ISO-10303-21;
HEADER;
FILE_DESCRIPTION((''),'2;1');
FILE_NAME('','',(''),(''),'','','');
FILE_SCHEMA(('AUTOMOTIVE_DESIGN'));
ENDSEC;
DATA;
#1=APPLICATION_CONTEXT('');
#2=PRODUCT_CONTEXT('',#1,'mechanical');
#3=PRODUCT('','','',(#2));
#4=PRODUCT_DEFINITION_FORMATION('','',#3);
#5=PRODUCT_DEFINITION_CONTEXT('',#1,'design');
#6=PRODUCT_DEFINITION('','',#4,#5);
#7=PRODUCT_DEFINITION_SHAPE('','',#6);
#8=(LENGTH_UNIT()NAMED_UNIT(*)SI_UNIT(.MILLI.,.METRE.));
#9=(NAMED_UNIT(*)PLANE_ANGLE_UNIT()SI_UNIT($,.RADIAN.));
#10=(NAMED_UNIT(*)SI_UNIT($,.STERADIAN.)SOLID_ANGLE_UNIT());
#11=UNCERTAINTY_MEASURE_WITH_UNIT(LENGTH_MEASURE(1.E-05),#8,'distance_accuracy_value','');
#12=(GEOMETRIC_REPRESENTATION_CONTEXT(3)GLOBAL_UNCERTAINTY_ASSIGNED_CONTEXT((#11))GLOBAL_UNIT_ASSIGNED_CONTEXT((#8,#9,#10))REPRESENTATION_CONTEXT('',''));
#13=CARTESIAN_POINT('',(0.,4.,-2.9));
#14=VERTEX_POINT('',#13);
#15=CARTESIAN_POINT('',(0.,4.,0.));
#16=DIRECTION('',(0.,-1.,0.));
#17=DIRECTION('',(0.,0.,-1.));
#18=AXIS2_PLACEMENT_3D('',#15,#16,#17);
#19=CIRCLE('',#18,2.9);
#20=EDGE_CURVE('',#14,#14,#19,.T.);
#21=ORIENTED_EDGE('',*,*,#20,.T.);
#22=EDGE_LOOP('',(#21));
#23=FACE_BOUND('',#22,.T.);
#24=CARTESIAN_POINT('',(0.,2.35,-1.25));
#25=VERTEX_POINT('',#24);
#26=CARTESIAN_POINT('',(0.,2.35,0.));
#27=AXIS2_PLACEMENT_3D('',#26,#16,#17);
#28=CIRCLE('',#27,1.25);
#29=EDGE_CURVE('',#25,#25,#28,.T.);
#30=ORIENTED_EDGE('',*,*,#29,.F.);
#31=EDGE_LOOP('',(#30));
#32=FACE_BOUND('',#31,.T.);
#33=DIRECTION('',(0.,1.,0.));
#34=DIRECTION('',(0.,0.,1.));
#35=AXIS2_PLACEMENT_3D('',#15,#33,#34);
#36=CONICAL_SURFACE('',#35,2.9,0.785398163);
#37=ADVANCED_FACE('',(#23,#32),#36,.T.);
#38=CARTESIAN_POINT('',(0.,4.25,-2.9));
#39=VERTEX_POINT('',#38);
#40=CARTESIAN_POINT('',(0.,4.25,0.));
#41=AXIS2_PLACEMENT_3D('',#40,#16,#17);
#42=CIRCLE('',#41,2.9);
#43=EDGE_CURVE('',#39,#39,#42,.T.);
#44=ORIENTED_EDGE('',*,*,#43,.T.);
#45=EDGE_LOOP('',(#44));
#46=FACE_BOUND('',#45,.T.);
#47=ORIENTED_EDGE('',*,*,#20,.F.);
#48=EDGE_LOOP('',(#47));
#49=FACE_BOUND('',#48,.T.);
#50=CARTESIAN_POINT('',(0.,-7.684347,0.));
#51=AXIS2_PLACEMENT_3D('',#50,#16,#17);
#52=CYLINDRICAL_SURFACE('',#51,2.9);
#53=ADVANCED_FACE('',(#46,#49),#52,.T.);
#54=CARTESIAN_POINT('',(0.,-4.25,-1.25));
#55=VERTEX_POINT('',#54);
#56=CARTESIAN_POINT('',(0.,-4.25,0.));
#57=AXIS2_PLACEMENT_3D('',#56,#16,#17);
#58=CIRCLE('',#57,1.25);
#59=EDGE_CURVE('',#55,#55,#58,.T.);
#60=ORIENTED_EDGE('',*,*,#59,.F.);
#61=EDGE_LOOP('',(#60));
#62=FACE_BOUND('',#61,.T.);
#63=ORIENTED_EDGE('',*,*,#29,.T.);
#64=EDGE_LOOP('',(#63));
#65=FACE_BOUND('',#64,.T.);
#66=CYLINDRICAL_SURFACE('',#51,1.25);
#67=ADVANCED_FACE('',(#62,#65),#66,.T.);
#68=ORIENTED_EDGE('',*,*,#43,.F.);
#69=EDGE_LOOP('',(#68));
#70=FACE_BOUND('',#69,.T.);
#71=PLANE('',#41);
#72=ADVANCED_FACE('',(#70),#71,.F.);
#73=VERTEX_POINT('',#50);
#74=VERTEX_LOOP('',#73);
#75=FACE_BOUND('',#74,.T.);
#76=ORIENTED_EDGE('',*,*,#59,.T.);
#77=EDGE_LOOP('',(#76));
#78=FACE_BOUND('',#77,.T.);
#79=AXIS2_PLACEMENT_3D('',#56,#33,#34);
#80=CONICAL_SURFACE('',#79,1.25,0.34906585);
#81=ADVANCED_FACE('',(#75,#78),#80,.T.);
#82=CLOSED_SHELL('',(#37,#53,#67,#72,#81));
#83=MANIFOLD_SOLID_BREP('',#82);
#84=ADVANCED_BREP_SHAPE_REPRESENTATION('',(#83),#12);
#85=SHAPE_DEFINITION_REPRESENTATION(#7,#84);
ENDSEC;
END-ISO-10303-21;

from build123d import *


with BuildPart() as part:
    # Sketch1 → Revolve1 (revolve)
    with BuildSketch(Plane.XY, mode=Mode.PRIVATE) as revolve1_sk:
        Polygon((0, 4.25), (-2.9, 4.25), (-2.9, 4), (-1.25, 2.35), (-1.25, -4.25), (0, -7.684346774), align=None)
    revolve(revolve1_sk.sketch.rotate(Axis((0, -7.684346774, 0), (0, 1, 0)), 270), axis=Axis((0, -7.684346774, 0), (0, 1, 0)))


solid = part.part
